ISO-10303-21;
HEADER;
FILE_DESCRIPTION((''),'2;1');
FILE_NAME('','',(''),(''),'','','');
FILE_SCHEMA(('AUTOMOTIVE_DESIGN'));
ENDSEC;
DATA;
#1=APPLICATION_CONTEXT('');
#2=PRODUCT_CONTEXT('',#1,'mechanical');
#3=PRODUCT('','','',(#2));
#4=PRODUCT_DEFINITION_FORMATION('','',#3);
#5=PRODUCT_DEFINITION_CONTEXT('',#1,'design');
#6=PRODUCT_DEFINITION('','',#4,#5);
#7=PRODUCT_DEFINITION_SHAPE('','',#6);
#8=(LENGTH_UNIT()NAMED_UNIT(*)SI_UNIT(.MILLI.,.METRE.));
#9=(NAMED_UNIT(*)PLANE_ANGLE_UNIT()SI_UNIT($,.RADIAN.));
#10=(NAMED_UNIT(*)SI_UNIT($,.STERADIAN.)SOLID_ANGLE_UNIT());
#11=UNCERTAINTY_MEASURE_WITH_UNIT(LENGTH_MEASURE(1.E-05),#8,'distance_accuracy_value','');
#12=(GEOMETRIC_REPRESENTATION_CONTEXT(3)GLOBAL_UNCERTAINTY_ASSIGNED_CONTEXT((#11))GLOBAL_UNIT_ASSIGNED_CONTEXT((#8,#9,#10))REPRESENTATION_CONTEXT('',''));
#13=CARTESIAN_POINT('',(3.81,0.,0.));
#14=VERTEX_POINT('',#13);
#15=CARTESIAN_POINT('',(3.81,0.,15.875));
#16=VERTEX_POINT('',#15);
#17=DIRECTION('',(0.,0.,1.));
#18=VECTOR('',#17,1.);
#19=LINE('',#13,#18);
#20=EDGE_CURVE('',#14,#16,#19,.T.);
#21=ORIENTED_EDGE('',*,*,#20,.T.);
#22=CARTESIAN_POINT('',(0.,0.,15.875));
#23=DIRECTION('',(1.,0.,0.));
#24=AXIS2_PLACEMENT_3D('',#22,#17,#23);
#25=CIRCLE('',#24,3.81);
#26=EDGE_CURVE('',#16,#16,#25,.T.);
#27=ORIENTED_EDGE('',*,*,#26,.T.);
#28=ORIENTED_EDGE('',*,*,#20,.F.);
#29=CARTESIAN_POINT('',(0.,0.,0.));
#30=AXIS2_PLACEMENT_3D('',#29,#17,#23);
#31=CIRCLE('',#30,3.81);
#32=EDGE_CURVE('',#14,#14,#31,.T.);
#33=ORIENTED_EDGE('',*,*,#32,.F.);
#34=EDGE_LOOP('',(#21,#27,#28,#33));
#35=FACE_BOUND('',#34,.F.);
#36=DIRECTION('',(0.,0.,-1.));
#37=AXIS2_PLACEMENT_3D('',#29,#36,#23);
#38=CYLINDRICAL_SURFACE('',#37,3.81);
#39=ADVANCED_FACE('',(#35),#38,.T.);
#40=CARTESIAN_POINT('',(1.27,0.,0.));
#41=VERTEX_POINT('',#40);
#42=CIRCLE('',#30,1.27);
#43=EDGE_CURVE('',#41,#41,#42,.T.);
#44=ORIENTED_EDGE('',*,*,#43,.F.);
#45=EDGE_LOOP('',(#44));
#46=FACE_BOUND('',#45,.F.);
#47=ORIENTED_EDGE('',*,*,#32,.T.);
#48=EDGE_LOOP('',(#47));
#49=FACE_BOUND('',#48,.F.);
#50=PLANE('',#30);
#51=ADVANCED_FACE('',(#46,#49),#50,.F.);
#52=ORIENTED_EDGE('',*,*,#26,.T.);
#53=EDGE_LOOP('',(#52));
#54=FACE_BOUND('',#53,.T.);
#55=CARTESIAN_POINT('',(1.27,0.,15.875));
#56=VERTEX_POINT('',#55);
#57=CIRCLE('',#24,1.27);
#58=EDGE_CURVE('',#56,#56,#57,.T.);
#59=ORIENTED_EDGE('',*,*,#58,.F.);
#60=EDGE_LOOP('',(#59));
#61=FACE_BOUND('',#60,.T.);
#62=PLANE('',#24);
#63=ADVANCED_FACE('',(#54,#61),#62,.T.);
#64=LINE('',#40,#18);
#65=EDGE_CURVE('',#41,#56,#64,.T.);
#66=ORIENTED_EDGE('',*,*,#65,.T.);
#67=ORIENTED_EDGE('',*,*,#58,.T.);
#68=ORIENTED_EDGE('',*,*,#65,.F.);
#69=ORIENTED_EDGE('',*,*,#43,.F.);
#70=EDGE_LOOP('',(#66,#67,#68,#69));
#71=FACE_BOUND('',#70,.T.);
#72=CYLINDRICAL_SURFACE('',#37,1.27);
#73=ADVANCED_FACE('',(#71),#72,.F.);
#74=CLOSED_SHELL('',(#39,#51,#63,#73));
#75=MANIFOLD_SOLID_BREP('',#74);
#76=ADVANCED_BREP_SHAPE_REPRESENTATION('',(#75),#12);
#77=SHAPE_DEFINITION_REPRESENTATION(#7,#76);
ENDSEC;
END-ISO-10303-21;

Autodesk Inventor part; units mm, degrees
ref_plane "YZ Plane" through (0, 0, 0) normal (1, 0, 0) x (0, 1, 0)
ref_plane "XZ Plane" through (0, 0, 0) normal (0, 1, 0) x (-1, 0, 0)
ref_plane "XY Plane" through (0, 0, 0) normal (0, 0, 1) x (1, 0, 0)
sketch "Sketch1" plane through (0, 0, 0) normal (0, 0, 1) x (1, 0, 0)
  circle A0 centre (0, 0) radius 3.81
  circle A1 centre (0, 0) radius 1.27
  dimension "d0" = 7.62
  dimension "d1" = 2.54
extrude "Extrusion1" add sketch "Sketch1" along normal blind 15.875
properties part number "photoTransistorStandoff" material "ABS Plastic"
